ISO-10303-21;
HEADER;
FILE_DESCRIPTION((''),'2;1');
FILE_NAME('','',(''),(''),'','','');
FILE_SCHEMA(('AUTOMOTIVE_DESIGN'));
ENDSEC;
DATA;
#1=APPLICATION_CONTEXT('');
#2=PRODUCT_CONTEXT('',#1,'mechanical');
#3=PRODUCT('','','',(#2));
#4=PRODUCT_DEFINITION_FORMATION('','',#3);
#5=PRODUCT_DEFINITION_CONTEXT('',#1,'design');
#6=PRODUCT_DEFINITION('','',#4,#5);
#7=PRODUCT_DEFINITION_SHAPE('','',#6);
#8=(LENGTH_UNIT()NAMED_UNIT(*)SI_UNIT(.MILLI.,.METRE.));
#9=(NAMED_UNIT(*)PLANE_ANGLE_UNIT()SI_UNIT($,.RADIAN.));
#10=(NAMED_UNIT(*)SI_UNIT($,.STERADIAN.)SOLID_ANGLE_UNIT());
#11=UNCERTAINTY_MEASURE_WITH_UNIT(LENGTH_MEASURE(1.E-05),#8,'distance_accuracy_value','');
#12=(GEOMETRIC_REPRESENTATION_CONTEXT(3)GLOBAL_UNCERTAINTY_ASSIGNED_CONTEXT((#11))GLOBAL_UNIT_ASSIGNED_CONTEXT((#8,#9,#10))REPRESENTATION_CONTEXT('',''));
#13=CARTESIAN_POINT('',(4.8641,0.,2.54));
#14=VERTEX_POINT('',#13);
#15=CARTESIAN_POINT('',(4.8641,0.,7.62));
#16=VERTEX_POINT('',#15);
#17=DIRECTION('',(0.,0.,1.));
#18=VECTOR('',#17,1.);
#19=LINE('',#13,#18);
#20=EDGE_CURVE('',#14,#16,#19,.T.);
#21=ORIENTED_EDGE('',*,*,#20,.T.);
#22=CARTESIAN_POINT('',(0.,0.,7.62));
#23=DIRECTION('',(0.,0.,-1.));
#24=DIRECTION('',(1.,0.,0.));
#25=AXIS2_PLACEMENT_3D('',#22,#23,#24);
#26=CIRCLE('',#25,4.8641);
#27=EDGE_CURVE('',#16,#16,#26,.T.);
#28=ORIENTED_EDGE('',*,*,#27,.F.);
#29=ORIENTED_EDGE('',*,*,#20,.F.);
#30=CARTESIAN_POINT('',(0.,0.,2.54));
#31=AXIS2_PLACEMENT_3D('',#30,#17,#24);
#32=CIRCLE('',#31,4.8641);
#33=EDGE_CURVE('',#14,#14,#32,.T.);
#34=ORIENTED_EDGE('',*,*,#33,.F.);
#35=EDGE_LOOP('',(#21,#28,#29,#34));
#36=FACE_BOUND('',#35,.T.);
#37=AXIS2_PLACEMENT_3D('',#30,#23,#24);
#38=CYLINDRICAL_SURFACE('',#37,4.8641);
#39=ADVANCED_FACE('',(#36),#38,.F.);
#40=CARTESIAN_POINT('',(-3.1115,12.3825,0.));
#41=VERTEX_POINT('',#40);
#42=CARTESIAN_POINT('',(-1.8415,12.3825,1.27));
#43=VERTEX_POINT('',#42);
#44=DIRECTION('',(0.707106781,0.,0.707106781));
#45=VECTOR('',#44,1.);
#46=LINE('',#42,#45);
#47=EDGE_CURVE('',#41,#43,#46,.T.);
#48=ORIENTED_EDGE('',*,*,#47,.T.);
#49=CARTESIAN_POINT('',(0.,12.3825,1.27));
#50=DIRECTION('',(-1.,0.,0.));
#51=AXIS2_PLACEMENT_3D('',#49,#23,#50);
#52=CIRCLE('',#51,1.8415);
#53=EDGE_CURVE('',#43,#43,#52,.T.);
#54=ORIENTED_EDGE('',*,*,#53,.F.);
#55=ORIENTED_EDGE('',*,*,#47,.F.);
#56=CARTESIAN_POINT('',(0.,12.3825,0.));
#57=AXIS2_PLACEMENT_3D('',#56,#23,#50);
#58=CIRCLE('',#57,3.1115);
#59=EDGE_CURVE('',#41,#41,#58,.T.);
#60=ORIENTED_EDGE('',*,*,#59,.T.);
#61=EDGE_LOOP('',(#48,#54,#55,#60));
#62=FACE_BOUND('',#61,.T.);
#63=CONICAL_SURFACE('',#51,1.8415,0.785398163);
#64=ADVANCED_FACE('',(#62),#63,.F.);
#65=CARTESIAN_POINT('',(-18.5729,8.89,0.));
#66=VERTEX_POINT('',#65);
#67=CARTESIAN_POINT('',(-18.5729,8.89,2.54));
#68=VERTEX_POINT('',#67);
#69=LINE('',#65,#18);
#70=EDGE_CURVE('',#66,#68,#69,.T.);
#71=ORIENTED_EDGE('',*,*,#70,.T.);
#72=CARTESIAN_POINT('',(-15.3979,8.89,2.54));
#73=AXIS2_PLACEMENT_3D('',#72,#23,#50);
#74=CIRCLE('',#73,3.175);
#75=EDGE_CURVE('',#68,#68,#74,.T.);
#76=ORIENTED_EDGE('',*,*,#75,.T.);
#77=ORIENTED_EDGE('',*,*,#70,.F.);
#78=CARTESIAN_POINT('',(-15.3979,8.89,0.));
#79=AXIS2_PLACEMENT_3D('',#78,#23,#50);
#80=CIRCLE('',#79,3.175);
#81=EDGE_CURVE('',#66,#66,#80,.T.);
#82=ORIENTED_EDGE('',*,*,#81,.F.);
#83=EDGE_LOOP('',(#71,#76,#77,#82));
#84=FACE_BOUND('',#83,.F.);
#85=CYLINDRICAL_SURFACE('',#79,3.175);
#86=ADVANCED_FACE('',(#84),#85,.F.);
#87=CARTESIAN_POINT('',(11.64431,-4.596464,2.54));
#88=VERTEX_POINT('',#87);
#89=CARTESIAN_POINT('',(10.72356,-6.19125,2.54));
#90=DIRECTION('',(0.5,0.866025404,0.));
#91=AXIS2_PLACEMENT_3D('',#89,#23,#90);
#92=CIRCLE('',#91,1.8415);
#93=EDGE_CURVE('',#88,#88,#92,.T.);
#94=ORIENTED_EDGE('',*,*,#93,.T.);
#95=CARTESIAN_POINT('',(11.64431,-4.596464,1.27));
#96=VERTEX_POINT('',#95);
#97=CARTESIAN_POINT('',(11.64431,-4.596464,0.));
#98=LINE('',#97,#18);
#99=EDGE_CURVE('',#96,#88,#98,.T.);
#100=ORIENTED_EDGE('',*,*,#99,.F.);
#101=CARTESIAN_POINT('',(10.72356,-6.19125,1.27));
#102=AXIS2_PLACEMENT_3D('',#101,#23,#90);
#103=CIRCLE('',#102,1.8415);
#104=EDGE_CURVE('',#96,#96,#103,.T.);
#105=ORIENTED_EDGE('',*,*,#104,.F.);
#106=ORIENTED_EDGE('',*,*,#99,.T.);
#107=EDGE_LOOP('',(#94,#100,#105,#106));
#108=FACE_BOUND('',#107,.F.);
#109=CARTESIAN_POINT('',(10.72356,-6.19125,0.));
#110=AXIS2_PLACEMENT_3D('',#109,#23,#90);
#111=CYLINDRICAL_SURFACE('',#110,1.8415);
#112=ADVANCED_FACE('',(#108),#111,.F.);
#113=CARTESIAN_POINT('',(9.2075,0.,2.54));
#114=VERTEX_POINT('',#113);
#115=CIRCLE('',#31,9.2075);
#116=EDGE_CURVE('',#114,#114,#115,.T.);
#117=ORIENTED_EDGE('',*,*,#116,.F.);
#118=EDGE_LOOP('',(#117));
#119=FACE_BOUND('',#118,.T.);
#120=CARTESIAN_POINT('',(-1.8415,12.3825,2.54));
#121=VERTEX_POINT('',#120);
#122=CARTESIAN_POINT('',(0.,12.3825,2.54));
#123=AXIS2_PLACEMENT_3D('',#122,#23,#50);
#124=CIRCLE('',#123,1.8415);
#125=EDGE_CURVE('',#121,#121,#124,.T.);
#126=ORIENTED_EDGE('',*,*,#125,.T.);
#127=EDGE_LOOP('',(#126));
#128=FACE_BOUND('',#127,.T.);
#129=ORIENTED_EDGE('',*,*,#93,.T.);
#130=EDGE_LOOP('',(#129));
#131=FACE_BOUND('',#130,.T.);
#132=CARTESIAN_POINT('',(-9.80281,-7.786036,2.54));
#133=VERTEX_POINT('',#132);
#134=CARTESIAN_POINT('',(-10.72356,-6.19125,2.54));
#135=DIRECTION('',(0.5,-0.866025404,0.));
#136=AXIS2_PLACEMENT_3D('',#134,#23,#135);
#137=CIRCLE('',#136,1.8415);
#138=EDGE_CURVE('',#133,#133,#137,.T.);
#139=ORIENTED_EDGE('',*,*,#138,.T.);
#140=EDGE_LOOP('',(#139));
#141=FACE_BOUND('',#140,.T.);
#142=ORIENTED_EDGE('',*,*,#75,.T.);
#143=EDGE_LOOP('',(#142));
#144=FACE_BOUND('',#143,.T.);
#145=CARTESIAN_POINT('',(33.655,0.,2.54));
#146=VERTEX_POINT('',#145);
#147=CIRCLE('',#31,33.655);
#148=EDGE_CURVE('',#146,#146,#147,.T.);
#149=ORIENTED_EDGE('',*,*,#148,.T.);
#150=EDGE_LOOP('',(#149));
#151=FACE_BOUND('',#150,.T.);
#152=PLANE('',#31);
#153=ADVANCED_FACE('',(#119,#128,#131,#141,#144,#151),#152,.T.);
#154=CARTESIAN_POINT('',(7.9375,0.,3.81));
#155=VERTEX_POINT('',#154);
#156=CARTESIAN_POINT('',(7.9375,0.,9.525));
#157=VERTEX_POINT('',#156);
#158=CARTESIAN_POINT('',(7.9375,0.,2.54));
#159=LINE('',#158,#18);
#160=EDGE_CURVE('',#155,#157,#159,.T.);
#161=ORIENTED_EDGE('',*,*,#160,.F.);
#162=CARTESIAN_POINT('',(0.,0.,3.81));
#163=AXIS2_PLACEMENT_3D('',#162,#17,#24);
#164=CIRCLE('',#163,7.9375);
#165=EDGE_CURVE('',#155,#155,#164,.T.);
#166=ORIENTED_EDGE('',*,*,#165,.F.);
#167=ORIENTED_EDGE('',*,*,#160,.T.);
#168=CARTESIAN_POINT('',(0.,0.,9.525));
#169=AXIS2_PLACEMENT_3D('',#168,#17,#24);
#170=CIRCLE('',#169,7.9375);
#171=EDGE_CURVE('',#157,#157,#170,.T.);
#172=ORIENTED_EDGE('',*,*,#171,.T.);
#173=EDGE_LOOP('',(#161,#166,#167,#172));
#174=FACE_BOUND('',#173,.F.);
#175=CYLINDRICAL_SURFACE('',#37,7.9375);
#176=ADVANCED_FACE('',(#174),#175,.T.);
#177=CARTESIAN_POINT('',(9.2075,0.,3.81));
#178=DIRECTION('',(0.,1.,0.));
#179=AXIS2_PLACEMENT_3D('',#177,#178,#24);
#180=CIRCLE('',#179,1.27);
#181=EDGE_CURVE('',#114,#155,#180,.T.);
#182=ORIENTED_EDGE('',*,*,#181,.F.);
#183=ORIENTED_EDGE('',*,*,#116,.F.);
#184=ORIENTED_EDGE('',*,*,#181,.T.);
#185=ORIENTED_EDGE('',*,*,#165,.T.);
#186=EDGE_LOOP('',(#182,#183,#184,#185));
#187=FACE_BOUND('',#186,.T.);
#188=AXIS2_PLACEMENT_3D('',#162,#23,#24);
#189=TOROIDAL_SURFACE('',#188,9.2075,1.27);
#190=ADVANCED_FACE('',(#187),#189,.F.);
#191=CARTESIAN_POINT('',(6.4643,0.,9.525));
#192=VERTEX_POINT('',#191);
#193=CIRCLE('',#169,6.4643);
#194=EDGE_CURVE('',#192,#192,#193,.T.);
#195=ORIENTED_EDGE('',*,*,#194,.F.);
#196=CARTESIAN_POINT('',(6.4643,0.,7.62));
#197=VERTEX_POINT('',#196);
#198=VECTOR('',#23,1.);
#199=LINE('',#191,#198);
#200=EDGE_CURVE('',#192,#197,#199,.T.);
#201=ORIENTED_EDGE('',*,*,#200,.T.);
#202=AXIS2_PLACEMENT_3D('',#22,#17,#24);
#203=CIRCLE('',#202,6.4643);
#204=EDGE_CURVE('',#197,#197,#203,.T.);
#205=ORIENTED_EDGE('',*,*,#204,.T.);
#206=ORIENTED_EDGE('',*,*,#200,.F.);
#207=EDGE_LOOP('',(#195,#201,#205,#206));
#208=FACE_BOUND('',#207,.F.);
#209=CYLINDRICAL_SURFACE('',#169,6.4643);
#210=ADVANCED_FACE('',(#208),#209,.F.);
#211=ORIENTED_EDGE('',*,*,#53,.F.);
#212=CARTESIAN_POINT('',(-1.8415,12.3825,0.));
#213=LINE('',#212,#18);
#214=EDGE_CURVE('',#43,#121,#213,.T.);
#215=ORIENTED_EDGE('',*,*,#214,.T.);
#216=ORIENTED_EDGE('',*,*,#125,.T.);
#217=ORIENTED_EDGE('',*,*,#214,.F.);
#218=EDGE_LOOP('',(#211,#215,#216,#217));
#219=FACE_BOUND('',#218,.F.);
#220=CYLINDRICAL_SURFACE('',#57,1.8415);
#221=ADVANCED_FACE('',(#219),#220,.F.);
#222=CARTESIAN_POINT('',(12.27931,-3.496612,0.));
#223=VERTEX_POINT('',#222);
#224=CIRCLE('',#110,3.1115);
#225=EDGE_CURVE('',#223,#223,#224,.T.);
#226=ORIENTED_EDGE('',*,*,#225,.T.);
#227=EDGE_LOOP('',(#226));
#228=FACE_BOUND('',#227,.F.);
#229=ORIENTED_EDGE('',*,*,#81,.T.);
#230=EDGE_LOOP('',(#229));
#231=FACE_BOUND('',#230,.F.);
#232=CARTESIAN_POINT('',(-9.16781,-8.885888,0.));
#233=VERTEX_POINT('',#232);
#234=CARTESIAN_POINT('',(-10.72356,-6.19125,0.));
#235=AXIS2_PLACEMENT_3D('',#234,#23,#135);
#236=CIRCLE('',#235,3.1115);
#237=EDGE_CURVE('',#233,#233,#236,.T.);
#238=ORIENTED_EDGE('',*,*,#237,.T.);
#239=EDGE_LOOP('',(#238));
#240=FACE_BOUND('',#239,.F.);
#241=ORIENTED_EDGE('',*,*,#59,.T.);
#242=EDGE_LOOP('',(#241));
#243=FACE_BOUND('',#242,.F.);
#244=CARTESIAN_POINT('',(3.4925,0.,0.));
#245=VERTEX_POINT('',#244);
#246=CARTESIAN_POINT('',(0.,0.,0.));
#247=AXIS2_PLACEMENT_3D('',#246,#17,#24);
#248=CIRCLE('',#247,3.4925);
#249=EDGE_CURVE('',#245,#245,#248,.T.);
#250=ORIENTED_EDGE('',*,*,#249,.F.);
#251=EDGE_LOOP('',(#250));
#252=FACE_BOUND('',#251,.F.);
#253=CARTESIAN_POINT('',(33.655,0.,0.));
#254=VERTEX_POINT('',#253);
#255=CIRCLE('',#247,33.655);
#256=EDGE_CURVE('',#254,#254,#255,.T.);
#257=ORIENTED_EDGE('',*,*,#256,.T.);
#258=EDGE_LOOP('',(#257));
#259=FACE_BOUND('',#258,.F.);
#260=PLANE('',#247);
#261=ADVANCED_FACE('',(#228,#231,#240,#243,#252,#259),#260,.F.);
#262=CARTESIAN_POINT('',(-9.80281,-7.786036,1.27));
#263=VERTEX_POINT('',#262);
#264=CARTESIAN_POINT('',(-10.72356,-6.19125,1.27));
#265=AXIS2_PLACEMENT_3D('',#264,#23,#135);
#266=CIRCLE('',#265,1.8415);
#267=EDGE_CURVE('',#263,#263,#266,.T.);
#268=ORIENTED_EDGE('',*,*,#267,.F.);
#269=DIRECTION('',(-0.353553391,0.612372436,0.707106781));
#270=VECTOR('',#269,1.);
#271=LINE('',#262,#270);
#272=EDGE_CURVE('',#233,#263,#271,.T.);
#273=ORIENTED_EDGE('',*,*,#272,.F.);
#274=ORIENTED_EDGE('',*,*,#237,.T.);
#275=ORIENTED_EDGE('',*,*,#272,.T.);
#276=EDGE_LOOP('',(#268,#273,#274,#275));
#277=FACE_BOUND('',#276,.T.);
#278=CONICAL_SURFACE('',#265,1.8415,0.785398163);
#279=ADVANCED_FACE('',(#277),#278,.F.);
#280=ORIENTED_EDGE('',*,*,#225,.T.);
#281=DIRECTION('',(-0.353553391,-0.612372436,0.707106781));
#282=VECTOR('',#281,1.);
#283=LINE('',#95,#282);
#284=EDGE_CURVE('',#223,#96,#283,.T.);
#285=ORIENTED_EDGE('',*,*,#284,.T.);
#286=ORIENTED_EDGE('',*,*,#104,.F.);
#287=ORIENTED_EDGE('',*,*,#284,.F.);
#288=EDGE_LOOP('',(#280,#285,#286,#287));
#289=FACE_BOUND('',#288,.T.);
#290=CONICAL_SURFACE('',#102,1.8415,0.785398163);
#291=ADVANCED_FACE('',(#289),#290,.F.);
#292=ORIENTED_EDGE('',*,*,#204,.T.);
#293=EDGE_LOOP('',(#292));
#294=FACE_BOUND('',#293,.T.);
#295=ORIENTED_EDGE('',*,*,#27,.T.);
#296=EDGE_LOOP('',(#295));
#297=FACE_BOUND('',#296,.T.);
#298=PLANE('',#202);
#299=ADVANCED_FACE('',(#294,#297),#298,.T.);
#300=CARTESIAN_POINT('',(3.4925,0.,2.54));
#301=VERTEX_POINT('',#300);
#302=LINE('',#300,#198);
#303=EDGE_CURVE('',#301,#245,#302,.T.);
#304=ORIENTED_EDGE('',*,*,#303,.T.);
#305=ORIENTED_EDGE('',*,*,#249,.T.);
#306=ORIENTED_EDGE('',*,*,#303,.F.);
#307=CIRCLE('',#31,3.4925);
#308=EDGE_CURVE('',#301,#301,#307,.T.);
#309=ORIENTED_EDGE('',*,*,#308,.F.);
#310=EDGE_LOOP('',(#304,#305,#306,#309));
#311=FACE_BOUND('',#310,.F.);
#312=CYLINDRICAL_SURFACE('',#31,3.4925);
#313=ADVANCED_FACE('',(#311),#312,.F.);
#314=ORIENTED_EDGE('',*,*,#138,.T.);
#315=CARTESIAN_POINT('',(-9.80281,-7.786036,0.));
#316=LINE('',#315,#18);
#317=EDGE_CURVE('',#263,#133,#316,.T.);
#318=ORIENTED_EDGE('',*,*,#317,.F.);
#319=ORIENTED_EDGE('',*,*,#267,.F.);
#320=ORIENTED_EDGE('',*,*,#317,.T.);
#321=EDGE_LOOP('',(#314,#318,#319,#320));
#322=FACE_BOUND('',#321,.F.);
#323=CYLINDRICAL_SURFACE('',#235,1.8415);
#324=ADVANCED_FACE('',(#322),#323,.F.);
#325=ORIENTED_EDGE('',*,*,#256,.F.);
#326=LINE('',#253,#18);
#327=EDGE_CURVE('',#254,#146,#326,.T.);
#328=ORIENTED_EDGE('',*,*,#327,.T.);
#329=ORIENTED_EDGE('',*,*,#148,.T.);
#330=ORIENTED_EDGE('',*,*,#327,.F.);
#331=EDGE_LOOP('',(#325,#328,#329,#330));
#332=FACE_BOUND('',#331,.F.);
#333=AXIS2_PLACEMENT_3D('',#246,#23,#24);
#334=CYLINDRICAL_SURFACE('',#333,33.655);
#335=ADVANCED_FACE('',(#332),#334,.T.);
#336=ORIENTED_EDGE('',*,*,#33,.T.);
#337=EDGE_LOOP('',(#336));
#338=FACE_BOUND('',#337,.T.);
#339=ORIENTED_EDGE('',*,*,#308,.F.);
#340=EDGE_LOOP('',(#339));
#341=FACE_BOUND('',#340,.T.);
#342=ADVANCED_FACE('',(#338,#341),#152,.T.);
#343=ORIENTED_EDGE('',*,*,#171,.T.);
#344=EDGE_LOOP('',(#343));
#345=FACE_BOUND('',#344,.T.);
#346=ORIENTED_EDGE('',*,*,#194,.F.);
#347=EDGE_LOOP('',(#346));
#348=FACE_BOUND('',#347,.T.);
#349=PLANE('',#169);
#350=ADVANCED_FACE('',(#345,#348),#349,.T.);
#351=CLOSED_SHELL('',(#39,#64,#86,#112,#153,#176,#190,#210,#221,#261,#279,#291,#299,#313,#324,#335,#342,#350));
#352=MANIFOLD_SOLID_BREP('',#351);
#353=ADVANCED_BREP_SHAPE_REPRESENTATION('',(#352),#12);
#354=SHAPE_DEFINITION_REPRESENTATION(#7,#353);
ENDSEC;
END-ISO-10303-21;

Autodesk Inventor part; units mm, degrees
ref_plane "YZ Plane" through (0, 0, 0) normal (1, 0, 0) x (0, 1, 0)
ref_plane "XZ Plane" through (0, 0, 0) normal (0, 1, 0) x (-1, 0, 0)
ref_plane "XY Plane" through (0, 0, 0) normal (0, 0, 1) x (1, 0, 0)
sketch "Sketch1" plane through (0, 0, 0) normal (0, 0, 1) x (1, 0, 0)
  circle A0 centre (0, 0) radius 33.655
  dimension "d0" = 67.31
extrude "Extrusion1" add sketch "Sketch1" along normal blind 2.54
sketch "Sketch2" plane through (0, 0, 0) normal (0, 0, -1) x (-1, 0, 0)
  circle A0 centre (0, 12.3825) radius 1.8415
  point P0 (0, 0)
  dimension "d3" = 3.683
  dimension "d4" = 12.3825
extrude "Extrusion2" cut sketch "Sketch2" against normal through all
chamfer "Chamfer1" distance 1.27 angle 45 1 edges at (1.8415, 12.3825, 0)
pattern_circular "Circular Pattern1" count 3 over 360 about axis through (0, 0, 0) along (0, 0, 1) of "Extrusion2", "Chamfer1"
sketch "Sketch3" plane through (0, 0, 2.54) normal (0, 0, 1) x (1, 0, 0)
  circle A0 centre (0, 0) radius 7.9375
  circle A1 centre (0, 0) radius 3.4925
  circle A2 centre (0, 0) radius 4.8641
  dimension "d13" = 15.875
  dimension "d14" = 6.985
  dimension "d15" = 9.7282
extrude "Extrusion3" add sketch "Sketch3" along normal blind 6.985 contours A0
extrude "Extrusion4" cut sketch "Sketch3" against normal through all contours A1
fillet "Fillet1" radius 1.27 1 edges at (-7.9375, 0, 2.54)
sketch "Sketch4" plane through (0, 0, 0) normal (0, 0, -1) x (-1, 0, 0)
  line L0 (0, 0) -> (15.3979, 8.89) construction
  line L1 (0, 0) -> (17.78, 0) construction
  circle A0 centre (15.3979, 8.89) radius 3.175
  dimension "d21" = 17.78
  dimension "d22" = 30
  dimension "d23" = 6.35
extrude "Extrusion5" cut sketch "Sketch4" against normal through all
sketch "Sketch5" plane through (0, 0, 9.525) normal (0, 0, 1) x (1, 0, 0)
  circle A0 centre (0, 0) radius 6.4643
  dimension "d26" = 12.9286
extrude "Extrusion6" cut sketch "Sketch5" against normal blind 1.905
properties part number "SmallSpoolEndFore" material "ABS Plastic"
